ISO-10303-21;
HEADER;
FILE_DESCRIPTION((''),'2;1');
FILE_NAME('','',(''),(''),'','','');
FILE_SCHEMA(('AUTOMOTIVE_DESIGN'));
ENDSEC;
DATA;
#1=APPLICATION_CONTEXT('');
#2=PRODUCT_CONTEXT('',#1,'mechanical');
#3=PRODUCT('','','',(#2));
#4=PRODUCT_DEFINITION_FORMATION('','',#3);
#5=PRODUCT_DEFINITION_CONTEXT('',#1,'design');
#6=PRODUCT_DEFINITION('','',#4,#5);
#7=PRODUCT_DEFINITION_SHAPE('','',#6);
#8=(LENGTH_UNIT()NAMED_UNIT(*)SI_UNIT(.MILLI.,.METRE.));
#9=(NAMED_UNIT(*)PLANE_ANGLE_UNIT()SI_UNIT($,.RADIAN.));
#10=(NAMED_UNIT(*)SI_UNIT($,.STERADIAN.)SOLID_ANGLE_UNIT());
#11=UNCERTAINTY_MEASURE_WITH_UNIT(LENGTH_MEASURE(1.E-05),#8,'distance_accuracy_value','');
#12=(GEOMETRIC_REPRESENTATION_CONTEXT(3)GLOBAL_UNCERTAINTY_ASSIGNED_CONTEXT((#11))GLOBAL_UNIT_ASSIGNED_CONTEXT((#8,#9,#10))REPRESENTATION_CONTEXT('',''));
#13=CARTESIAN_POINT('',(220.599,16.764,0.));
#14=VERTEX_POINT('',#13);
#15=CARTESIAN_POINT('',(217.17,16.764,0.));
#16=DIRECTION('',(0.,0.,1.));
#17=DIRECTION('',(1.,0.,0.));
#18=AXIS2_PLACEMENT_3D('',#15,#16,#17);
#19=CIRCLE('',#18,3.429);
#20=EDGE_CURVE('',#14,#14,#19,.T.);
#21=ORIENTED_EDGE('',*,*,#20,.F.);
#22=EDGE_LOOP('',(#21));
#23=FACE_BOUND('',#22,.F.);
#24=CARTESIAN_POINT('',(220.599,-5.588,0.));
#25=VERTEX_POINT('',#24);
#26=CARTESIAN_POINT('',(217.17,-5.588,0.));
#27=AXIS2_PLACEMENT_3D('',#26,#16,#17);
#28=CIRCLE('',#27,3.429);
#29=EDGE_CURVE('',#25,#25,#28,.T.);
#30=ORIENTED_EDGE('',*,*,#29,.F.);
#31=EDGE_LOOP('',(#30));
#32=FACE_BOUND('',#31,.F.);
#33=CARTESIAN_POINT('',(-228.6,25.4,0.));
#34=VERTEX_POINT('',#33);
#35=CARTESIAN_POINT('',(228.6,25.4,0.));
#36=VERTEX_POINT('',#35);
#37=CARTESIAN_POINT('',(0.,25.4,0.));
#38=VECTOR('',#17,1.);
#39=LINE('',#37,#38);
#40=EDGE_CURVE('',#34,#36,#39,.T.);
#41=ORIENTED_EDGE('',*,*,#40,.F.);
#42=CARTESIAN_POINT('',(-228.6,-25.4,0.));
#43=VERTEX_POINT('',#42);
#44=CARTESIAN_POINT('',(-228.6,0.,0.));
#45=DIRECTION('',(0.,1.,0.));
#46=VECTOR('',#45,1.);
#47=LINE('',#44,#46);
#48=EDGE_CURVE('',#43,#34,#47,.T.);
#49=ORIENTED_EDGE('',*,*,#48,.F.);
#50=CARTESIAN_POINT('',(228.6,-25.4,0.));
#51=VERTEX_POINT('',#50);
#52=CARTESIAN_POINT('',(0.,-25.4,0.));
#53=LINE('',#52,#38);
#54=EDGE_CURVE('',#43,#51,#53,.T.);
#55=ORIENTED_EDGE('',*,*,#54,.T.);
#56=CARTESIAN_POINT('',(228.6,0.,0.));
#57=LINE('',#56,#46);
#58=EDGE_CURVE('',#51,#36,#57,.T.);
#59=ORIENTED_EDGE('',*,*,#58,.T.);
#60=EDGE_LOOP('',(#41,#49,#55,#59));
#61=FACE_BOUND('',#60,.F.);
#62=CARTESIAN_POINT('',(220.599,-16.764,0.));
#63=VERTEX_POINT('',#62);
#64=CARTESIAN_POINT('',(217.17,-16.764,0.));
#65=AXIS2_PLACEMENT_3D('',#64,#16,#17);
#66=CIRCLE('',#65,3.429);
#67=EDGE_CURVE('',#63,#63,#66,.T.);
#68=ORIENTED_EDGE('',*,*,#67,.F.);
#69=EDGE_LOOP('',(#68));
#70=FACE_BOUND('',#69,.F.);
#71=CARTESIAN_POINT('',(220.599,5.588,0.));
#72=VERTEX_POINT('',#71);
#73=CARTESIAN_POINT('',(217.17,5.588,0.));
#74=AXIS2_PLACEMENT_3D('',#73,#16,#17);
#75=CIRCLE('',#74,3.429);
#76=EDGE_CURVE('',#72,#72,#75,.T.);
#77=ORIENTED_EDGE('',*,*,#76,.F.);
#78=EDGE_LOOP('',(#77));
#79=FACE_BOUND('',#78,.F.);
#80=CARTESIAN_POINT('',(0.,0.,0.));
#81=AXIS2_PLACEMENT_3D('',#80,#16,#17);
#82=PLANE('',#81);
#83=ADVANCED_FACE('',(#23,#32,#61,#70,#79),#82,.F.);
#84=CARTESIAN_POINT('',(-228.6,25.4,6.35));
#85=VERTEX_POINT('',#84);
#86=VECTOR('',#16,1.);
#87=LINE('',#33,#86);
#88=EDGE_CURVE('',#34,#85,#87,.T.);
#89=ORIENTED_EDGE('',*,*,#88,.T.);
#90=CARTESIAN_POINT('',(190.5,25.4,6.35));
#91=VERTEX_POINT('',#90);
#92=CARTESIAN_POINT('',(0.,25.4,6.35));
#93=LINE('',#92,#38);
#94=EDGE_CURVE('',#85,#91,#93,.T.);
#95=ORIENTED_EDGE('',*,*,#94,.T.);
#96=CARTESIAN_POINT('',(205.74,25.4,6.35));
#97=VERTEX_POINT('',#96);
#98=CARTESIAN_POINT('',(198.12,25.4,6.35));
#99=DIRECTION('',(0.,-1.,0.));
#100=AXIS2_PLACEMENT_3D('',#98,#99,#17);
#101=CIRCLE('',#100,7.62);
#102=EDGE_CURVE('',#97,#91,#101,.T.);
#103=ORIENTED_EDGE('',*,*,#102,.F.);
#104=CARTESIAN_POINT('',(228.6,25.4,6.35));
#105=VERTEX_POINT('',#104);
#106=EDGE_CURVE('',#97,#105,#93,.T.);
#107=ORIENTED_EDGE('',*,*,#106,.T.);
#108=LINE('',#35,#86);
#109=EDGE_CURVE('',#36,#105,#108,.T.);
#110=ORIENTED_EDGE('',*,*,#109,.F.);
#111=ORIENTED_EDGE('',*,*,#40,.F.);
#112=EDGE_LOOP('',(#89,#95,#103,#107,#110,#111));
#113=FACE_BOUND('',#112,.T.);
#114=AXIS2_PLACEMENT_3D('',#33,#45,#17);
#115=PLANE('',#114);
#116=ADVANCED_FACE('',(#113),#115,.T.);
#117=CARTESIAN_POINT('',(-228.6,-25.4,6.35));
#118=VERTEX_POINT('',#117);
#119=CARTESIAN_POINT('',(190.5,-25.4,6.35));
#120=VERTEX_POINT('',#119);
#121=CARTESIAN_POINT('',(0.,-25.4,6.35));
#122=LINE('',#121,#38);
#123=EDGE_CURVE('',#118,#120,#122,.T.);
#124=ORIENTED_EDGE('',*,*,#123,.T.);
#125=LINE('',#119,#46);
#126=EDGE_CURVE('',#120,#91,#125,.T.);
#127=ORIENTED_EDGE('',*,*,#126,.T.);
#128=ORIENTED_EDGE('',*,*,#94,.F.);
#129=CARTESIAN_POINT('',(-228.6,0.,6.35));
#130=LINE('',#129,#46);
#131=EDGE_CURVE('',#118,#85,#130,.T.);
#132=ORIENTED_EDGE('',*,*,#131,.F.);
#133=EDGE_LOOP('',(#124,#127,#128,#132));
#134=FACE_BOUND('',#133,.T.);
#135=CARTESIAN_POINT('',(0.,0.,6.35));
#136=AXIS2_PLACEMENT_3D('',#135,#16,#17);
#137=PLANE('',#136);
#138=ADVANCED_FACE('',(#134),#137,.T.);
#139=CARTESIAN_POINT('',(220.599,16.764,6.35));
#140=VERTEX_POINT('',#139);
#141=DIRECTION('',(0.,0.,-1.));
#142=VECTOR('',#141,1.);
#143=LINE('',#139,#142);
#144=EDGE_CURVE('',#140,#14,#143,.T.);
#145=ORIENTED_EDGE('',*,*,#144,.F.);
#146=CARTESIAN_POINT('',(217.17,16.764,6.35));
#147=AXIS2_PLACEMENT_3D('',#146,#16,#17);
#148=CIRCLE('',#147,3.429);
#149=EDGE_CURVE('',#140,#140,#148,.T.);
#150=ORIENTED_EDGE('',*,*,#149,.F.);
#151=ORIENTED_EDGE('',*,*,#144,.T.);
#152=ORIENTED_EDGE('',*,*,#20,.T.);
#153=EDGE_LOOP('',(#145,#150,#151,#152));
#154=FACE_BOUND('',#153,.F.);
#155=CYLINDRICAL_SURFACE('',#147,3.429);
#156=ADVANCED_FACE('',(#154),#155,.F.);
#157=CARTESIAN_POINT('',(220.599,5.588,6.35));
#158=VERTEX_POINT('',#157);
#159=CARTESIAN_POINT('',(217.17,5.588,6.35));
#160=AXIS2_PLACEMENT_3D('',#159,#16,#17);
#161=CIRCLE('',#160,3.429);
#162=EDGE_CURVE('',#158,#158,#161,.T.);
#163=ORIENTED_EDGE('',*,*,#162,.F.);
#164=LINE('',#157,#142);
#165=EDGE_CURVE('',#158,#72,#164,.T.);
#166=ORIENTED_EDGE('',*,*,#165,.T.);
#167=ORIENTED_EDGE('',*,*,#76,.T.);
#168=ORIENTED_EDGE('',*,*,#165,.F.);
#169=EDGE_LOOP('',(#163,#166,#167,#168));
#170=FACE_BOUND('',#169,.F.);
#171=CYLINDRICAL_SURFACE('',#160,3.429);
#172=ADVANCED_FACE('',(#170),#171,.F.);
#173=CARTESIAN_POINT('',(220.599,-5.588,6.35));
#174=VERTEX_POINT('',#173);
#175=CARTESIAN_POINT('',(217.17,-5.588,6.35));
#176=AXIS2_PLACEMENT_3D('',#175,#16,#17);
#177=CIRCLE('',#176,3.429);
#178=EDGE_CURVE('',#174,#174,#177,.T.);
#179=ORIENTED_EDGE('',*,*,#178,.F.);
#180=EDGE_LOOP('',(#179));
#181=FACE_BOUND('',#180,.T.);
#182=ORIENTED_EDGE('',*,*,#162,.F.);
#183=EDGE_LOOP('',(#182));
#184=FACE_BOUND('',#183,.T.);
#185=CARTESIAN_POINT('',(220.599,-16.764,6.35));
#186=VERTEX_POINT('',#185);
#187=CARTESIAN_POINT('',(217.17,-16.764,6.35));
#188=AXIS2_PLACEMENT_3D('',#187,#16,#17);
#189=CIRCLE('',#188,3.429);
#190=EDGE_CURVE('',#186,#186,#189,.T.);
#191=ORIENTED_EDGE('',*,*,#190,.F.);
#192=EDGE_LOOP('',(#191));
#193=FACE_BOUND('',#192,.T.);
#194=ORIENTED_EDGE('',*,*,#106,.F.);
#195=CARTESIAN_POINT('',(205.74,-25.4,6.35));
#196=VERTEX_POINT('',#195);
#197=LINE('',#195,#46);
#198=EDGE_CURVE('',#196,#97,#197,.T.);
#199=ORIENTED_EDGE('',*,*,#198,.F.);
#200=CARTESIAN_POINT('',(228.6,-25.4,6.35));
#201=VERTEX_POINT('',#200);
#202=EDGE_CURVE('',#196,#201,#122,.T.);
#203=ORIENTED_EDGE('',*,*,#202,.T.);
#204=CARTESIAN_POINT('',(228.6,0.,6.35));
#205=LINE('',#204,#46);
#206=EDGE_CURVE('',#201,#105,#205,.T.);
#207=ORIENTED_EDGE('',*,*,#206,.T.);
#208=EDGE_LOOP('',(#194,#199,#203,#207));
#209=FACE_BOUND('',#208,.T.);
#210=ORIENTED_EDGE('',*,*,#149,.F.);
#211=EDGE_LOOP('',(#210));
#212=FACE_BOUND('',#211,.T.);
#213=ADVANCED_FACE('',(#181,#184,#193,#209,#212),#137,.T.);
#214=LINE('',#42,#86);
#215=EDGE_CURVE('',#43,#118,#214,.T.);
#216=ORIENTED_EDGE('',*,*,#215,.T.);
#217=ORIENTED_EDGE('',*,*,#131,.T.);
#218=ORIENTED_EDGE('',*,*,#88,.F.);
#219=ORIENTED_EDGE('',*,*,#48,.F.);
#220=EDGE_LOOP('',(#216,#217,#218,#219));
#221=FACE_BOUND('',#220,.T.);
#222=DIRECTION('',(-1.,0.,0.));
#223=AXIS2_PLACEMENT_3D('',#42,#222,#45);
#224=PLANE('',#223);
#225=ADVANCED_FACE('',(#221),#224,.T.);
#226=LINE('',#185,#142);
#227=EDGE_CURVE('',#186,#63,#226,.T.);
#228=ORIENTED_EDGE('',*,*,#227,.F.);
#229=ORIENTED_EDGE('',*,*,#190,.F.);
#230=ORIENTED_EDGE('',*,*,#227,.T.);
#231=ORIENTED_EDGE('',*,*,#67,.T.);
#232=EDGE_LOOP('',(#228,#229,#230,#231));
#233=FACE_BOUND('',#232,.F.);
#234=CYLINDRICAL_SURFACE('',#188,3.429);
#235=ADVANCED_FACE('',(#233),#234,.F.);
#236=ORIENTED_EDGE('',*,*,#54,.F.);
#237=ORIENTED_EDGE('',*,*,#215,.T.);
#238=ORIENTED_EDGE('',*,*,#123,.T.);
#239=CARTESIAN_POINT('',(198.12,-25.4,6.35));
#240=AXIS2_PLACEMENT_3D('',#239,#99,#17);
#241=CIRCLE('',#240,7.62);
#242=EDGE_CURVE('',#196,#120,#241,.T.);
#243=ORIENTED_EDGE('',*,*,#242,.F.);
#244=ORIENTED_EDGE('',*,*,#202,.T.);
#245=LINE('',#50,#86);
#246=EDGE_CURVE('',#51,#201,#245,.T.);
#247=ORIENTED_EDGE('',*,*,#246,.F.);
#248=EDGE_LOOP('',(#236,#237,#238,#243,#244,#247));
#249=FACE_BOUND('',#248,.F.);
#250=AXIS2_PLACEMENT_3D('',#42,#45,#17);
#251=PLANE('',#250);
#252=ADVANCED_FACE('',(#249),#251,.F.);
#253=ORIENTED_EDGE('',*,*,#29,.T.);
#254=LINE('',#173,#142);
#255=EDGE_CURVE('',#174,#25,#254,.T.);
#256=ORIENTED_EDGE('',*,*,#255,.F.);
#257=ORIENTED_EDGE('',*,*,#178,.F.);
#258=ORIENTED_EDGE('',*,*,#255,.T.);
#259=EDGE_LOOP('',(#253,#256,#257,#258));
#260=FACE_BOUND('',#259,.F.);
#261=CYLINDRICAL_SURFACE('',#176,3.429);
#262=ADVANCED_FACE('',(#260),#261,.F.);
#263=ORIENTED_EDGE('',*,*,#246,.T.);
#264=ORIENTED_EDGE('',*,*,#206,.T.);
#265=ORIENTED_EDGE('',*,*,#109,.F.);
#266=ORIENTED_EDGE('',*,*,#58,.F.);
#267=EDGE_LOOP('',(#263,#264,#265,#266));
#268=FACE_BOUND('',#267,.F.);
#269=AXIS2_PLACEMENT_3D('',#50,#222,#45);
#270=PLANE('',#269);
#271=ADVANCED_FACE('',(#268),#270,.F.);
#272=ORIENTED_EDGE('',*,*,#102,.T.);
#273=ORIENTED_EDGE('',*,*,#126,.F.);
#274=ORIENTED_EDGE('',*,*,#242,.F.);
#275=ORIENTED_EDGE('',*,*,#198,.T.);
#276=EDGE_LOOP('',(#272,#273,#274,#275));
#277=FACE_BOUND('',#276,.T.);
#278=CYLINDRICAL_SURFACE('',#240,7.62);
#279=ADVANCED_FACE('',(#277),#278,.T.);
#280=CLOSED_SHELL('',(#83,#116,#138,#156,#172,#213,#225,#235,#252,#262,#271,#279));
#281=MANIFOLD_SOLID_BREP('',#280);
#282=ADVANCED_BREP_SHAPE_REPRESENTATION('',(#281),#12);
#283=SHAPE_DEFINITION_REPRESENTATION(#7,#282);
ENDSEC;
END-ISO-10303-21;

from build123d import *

# Parameters (mm, degrees)
F0_W     = 457.2
F0_H     = 50.8
F1_DEPTH = 6.35
F3_DEPTH = 50.8
F4_R     = 3.429
F5_DEPTH = 25.4


with BuildPart() as f1:
    # F0 (on Top) → F1 (new body)
    with BuildSketch(Plane.XY):
        Rectangle(F0_W, F0_H)
    extrude(amount=F1_DEPTH)

    # F2 (on face) → F3 (join)
    with BuildSketch(Plane.XZ.offset(25.4)):
        with BuildLine():
            Line((190.5, 6.35), (205.74, 6.35))
            ThreePointArc((205.74, 6.35), (198.12, 13.97), (190.5, 6.35))
        make_face()
    extrude(amount=-F3_DEPTH)

    # F4 (on face) → F5 (cut)
    with BuildSketch(Plane.XY.offset(6.35)):
        with Locations((217.17, -16.764)):
            Circle(F4_R)
        with Locations((217.17, -5.588)):
            Circle(F4_R)
        with Locations((217.17, 5.588)):
            Circle(F4_R)
        with Locations((217.17, 16.764)):
            Circle(F4_R)
    extrude(amount=-F5_DEPTH, mode=Mode.SUBTRACT)


solid = f1.part
